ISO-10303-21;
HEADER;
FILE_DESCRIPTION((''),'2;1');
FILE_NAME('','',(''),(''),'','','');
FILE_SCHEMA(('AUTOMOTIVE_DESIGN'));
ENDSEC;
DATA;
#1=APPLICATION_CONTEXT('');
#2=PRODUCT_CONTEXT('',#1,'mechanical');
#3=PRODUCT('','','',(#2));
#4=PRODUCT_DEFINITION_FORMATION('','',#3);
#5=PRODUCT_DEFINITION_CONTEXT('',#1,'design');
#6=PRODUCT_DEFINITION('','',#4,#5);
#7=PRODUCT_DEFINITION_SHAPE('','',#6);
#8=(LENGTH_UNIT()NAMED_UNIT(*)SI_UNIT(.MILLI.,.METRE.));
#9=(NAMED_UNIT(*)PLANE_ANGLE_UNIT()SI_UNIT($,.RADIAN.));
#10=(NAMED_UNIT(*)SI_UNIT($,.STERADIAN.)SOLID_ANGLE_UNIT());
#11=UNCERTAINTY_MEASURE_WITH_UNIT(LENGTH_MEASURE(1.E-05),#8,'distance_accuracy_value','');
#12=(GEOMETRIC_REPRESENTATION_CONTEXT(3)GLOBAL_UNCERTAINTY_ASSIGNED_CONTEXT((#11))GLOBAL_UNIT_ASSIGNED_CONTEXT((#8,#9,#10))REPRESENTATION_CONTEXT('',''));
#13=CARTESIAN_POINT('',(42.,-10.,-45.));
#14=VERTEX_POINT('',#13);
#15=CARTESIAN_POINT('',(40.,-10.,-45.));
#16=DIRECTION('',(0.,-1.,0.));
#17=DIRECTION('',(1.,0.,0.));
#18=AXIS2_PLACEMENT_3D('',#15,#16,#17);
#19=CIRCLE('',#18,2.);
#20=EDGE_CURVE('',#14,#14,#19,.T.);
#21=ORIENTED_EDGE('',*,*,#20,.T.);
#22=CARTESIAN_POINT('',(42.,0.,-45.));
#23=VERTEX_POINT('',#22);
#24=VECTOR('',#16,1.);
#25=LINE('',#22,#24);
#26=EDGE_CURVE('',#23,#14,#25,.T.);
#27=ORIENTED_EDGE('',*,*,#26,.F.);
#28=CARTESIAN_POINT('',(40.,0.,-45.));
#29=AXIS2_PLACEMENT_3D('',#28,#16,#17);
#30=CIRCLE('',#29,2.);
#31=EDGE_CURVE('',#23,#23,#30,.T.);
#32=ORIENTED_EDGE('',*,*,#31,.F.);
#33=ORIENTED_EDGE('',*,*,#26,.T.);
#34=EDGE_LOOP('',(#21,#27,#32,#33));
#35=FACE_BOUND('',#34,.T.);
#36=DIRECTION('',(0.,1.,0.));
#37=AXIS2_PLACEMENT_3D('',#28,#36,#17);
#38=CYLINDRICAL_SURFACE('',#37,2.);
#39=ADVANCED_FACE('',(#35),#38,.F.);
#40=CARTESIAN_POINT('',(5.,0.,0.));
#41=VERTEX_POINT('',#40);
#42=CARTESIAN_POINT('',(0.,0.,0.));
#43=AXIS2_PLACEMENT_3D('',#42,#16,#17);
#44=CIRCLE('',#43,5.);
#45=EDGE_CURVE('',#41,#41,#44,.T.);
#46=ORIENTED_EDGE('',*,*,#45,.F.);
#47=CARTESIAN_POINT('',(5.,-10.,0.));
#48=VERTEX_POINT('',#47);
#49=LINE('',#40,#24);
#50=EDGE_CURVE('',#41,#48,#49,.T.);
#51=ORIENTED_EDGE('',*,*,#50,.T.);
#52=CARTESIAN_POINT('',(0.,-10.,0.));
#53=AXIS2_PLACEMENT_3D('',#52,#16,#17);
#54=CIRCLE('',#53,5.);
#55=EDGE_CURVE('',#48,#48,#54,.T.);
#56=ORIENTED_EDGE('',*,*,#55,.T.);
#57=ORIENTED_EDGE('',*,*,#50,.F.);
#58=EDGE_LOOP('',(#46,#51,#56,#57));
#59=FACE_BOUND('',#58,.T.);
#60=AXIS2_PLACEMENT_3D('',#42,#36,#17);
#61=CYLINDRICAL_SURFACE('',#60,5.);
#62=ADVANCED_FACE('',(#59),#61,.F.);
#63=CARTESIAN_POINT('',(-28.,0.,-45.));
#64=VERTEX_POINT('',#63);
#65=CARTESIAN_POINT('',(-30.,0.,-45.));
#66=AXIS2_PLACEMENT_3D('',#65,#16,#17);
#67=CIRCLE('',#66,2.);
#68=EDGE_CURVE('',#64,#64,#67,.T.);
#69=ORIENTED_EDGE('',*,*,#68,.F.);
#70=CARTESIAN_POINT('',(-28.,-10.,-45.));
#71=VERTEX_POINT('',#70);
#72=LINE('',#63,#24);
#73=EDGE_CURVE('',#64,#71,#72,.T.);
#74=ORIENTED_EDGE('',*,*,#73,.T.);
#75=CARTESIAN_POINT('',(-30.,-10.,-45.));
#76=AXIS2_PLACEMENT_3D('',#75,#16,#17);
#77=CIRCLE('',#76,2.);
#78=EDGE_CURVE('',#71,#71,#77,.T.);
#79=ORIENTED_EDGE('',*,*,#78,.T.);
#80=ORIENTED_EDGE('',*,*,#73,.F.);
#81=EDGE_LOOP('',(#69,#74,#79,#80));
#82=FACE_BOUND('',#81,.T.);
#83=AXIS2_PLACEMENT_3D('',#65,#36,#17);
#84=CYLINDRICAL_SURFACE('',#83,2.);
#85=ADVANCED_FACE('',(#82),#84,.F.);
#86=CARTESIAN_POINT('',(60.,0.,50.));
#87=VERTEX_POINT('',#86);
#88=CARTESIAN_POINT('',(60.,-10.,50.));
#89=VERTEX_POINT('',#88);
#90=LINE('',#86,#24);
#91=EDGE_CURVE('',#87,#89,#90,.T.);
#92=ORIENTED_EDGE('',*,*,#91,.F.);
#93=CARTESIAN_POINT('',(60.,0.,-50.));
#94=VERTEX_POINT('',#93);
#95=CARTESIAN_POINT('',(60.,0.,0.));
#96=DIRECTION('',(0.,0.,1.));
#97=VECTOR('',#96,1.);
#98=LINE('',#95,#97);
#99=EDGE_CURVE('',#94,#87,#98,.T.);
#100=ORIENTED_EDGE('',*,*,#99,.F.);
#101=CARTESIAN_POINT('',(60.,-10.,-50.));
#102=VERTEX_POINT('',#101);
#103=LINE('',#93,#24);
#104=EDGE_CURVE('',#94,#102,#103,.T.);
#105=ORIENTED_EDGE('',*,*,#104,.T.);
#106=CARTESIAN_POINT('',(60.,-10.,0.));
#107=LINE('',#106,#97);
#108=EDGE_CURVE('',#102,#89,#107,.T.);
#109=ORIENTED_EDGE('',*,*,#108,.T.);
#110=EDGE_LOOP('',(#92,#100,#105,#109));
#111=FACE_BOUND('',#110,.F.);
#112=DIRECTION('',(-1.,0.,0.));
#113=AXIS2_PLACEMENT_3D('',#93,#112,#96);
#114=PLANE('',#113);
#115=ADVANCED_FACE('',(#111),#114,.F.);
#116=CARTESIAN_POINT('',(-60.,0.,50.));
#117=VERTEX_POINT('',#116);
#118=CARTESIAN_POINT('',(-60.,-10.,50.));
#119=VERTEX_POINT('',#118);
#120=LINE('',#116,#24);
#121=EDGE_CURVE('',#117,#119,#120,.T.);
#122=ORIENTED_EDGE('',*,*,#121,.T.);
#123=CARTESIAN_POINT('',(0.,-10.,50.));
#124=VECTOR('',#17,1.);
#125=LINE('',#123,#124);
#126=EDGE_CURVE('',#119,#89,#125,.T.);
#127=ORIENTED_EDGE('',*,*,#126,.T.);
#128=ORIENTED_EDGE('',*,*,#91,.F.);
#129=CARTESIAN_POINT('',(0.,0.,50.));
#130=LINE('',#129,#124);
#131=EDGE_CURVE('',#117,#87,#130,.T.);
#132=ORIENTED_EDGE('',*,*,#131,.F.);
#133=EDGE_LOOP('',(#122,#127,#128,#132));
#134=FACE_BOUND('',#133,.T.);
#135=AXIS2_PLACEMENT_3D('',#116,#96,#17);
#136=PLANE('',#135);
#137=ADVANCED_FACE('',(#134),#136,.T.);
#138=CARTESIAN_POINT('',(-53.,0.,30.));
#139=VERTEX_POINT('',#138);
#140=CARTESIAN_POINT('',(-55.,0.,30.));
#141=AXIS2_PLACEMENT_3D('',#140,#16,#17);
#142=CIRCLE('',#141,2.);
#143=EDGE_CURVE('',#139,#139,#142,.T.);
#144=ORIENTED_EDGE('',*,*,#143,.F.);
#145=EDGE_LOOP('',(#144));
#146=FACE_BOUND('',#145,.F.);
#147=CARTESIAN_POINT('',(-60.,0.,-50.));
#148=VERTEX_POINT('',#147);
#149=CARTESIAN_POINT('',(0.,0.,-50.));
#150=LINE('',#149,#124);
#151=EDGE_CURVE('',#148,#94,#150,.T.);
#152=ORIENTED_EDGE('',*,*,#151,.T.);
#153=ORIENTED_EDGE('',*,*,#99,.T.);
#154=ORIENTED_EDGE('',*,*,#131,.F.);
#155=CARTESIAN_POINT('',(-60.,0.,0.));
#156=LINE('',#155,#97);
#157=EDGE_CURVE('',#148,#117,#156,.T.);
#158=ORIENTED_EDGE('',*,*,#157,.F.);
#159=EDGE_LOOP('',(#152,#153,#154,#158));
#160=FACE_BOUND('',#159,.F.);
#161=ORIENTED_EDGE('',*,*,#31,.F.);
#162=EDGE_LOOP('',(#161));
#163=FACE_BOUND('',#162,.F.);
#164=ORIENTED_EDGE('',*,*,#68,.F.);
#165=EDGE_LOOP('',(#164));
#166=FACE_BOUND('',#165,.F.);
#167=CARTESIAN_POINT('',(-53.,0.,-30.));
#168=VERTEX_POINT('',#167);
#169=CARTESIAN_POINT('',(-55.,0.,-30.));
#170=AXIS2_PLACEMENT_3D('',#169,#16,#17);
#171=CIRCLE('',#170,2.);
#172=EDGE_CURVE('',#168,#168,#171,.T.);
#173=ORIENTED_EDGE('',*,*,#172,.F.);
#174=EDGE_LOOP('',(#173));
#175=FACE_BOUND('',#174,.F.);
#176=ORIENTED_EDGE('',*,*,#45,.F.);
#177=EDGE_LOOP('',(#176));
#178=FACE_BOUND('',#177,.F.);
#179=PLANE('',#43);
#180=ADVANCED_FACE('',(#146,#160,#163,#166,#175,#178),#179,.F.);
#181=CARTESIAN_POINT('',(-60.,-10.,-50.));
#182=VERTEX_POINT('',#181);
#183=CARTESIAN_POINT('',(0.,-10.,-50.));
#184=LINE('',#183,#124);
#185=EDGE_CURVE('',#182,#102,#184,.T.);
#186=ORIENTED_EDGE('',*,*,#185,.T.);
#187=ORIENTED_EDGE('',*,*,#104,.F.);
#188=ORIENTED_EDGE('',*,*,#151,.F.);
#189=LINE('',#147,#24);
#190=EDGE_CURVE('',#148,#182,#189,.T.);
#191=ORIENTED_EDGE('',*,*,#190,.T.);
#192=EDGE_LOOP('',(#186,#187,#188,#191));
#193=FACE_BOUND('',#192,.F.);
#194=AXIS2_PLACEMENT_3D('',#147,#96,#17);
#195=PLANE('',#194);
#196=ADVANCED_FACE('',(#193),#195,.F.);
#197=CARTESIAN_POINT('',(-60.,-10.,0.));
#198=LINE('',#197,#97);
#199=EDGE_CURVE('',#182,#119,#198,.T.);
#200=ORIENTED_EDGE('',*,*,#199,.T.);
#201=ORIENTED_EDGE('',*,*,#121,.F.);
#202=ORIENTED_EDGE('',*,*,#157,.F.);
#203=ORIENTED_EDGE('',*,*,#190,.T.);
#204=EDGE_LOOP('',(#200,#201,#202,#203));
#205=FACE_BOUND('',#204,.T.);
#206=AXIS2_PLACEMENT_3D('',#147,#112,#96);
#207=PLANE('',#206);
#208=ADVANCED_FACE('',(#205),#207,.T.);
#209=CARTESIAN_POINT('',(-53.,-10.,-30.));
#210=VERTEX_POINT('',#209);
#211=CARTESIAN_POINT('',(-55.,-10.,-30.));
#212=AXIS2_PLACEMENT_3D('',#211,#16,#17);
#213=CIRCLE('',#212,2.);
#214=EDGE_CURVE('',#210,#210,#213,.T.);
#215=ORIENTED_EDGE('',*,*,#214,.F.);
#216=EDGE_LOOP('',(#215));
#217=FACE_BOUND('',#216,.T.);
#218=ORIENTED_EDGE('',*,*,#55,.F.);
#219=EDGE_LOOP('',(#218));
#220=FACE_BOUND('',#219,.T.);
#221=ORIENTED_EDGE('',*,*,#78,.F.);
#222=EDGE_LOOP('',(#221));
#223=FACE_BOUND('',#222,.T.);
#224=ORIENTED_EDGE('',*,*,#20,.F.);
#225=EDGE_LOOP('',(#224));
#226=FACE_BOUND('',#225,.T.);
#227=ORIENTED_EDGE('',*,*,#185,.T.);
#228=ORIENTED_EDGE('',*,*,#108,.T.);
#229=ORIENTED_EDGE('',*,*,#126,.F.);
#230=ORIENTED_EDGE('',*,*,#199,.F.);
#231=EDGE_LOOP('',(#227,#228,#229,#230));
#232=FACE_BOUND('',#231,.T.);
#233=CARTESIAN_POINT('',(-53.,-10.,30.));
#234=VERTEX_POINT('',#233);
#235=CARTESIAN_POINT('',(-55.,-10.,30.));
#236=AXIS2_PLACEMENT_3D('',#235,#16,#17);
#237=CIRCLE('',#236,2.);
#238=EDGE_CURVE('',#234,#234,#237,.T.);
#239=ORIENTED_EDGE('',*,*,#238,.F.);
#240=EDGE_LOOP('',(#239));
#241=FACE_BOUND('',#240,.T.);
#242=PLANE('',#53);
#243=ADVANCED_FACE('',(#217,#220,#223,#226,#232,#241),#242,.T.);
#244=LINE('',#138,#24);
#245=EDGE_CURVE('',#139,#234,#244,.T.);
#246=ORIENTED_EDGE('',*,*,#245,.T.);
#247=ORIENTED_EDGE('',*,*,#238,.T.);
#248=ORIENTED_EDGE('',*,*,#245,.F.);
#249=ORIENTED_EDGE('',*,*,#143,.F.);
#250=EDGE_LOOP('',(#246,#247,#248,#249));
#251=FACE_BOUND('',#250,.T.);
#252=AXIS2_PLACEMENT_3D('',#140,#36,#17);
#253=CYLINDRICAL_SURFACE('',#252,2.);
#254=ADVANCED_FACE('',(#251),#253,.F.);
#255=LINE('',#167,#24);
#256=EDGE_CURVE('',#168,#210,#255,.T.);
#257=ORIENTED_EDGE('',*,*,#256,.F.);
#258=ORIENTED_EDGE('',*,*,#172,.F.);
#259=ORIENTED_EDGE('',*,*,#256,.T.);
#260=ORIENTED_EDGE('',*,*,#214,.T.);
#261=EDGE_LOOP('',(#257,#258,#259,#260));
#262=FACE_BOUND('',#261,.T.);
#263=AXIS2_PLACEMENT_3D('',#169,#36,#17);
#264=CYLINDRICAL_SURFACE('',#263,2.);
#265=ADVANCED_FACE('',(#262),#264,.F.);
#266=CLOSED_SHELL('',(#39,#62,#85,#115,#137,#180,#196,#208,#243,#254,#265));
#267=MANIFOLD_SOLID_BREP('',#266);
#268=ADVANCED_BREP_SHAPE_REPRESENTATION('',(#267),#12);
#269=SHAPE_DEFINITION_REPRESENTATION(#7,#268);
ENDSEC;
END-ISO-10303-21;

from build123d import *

# Parameters (mm, degrees)
F0_W     = 120
F0_H     = 100
F0_R     = 2
F0_R_2   = 5
F1_DEPTH = 10


with BuildPart() as f1:
    # F0 (on Front) → F1 (new body)
    with BuildSketch(Plane.XZ):
        Rectangle(F0_W, F0_H)
        with Locations((-55, -30)):
            Circle(F0_R, mode=Mode.SUBTRACT)
        with Locations((-30, -45)):
            Circle(F0_R, mode=Mode.SUBTRACT)
        with Locations((40, -45)):
            Circle(F0_R, mode=Mode.SUBTRACT)
        with Locations((-55, 30)):
            Circle(F0_R, mode=Mode.SUBTRACT)
        Circle(F0_R_2, mode=Mode.SUBTRACT)
    extrude(amount=F1_DEPTH)


solid = f1.part
